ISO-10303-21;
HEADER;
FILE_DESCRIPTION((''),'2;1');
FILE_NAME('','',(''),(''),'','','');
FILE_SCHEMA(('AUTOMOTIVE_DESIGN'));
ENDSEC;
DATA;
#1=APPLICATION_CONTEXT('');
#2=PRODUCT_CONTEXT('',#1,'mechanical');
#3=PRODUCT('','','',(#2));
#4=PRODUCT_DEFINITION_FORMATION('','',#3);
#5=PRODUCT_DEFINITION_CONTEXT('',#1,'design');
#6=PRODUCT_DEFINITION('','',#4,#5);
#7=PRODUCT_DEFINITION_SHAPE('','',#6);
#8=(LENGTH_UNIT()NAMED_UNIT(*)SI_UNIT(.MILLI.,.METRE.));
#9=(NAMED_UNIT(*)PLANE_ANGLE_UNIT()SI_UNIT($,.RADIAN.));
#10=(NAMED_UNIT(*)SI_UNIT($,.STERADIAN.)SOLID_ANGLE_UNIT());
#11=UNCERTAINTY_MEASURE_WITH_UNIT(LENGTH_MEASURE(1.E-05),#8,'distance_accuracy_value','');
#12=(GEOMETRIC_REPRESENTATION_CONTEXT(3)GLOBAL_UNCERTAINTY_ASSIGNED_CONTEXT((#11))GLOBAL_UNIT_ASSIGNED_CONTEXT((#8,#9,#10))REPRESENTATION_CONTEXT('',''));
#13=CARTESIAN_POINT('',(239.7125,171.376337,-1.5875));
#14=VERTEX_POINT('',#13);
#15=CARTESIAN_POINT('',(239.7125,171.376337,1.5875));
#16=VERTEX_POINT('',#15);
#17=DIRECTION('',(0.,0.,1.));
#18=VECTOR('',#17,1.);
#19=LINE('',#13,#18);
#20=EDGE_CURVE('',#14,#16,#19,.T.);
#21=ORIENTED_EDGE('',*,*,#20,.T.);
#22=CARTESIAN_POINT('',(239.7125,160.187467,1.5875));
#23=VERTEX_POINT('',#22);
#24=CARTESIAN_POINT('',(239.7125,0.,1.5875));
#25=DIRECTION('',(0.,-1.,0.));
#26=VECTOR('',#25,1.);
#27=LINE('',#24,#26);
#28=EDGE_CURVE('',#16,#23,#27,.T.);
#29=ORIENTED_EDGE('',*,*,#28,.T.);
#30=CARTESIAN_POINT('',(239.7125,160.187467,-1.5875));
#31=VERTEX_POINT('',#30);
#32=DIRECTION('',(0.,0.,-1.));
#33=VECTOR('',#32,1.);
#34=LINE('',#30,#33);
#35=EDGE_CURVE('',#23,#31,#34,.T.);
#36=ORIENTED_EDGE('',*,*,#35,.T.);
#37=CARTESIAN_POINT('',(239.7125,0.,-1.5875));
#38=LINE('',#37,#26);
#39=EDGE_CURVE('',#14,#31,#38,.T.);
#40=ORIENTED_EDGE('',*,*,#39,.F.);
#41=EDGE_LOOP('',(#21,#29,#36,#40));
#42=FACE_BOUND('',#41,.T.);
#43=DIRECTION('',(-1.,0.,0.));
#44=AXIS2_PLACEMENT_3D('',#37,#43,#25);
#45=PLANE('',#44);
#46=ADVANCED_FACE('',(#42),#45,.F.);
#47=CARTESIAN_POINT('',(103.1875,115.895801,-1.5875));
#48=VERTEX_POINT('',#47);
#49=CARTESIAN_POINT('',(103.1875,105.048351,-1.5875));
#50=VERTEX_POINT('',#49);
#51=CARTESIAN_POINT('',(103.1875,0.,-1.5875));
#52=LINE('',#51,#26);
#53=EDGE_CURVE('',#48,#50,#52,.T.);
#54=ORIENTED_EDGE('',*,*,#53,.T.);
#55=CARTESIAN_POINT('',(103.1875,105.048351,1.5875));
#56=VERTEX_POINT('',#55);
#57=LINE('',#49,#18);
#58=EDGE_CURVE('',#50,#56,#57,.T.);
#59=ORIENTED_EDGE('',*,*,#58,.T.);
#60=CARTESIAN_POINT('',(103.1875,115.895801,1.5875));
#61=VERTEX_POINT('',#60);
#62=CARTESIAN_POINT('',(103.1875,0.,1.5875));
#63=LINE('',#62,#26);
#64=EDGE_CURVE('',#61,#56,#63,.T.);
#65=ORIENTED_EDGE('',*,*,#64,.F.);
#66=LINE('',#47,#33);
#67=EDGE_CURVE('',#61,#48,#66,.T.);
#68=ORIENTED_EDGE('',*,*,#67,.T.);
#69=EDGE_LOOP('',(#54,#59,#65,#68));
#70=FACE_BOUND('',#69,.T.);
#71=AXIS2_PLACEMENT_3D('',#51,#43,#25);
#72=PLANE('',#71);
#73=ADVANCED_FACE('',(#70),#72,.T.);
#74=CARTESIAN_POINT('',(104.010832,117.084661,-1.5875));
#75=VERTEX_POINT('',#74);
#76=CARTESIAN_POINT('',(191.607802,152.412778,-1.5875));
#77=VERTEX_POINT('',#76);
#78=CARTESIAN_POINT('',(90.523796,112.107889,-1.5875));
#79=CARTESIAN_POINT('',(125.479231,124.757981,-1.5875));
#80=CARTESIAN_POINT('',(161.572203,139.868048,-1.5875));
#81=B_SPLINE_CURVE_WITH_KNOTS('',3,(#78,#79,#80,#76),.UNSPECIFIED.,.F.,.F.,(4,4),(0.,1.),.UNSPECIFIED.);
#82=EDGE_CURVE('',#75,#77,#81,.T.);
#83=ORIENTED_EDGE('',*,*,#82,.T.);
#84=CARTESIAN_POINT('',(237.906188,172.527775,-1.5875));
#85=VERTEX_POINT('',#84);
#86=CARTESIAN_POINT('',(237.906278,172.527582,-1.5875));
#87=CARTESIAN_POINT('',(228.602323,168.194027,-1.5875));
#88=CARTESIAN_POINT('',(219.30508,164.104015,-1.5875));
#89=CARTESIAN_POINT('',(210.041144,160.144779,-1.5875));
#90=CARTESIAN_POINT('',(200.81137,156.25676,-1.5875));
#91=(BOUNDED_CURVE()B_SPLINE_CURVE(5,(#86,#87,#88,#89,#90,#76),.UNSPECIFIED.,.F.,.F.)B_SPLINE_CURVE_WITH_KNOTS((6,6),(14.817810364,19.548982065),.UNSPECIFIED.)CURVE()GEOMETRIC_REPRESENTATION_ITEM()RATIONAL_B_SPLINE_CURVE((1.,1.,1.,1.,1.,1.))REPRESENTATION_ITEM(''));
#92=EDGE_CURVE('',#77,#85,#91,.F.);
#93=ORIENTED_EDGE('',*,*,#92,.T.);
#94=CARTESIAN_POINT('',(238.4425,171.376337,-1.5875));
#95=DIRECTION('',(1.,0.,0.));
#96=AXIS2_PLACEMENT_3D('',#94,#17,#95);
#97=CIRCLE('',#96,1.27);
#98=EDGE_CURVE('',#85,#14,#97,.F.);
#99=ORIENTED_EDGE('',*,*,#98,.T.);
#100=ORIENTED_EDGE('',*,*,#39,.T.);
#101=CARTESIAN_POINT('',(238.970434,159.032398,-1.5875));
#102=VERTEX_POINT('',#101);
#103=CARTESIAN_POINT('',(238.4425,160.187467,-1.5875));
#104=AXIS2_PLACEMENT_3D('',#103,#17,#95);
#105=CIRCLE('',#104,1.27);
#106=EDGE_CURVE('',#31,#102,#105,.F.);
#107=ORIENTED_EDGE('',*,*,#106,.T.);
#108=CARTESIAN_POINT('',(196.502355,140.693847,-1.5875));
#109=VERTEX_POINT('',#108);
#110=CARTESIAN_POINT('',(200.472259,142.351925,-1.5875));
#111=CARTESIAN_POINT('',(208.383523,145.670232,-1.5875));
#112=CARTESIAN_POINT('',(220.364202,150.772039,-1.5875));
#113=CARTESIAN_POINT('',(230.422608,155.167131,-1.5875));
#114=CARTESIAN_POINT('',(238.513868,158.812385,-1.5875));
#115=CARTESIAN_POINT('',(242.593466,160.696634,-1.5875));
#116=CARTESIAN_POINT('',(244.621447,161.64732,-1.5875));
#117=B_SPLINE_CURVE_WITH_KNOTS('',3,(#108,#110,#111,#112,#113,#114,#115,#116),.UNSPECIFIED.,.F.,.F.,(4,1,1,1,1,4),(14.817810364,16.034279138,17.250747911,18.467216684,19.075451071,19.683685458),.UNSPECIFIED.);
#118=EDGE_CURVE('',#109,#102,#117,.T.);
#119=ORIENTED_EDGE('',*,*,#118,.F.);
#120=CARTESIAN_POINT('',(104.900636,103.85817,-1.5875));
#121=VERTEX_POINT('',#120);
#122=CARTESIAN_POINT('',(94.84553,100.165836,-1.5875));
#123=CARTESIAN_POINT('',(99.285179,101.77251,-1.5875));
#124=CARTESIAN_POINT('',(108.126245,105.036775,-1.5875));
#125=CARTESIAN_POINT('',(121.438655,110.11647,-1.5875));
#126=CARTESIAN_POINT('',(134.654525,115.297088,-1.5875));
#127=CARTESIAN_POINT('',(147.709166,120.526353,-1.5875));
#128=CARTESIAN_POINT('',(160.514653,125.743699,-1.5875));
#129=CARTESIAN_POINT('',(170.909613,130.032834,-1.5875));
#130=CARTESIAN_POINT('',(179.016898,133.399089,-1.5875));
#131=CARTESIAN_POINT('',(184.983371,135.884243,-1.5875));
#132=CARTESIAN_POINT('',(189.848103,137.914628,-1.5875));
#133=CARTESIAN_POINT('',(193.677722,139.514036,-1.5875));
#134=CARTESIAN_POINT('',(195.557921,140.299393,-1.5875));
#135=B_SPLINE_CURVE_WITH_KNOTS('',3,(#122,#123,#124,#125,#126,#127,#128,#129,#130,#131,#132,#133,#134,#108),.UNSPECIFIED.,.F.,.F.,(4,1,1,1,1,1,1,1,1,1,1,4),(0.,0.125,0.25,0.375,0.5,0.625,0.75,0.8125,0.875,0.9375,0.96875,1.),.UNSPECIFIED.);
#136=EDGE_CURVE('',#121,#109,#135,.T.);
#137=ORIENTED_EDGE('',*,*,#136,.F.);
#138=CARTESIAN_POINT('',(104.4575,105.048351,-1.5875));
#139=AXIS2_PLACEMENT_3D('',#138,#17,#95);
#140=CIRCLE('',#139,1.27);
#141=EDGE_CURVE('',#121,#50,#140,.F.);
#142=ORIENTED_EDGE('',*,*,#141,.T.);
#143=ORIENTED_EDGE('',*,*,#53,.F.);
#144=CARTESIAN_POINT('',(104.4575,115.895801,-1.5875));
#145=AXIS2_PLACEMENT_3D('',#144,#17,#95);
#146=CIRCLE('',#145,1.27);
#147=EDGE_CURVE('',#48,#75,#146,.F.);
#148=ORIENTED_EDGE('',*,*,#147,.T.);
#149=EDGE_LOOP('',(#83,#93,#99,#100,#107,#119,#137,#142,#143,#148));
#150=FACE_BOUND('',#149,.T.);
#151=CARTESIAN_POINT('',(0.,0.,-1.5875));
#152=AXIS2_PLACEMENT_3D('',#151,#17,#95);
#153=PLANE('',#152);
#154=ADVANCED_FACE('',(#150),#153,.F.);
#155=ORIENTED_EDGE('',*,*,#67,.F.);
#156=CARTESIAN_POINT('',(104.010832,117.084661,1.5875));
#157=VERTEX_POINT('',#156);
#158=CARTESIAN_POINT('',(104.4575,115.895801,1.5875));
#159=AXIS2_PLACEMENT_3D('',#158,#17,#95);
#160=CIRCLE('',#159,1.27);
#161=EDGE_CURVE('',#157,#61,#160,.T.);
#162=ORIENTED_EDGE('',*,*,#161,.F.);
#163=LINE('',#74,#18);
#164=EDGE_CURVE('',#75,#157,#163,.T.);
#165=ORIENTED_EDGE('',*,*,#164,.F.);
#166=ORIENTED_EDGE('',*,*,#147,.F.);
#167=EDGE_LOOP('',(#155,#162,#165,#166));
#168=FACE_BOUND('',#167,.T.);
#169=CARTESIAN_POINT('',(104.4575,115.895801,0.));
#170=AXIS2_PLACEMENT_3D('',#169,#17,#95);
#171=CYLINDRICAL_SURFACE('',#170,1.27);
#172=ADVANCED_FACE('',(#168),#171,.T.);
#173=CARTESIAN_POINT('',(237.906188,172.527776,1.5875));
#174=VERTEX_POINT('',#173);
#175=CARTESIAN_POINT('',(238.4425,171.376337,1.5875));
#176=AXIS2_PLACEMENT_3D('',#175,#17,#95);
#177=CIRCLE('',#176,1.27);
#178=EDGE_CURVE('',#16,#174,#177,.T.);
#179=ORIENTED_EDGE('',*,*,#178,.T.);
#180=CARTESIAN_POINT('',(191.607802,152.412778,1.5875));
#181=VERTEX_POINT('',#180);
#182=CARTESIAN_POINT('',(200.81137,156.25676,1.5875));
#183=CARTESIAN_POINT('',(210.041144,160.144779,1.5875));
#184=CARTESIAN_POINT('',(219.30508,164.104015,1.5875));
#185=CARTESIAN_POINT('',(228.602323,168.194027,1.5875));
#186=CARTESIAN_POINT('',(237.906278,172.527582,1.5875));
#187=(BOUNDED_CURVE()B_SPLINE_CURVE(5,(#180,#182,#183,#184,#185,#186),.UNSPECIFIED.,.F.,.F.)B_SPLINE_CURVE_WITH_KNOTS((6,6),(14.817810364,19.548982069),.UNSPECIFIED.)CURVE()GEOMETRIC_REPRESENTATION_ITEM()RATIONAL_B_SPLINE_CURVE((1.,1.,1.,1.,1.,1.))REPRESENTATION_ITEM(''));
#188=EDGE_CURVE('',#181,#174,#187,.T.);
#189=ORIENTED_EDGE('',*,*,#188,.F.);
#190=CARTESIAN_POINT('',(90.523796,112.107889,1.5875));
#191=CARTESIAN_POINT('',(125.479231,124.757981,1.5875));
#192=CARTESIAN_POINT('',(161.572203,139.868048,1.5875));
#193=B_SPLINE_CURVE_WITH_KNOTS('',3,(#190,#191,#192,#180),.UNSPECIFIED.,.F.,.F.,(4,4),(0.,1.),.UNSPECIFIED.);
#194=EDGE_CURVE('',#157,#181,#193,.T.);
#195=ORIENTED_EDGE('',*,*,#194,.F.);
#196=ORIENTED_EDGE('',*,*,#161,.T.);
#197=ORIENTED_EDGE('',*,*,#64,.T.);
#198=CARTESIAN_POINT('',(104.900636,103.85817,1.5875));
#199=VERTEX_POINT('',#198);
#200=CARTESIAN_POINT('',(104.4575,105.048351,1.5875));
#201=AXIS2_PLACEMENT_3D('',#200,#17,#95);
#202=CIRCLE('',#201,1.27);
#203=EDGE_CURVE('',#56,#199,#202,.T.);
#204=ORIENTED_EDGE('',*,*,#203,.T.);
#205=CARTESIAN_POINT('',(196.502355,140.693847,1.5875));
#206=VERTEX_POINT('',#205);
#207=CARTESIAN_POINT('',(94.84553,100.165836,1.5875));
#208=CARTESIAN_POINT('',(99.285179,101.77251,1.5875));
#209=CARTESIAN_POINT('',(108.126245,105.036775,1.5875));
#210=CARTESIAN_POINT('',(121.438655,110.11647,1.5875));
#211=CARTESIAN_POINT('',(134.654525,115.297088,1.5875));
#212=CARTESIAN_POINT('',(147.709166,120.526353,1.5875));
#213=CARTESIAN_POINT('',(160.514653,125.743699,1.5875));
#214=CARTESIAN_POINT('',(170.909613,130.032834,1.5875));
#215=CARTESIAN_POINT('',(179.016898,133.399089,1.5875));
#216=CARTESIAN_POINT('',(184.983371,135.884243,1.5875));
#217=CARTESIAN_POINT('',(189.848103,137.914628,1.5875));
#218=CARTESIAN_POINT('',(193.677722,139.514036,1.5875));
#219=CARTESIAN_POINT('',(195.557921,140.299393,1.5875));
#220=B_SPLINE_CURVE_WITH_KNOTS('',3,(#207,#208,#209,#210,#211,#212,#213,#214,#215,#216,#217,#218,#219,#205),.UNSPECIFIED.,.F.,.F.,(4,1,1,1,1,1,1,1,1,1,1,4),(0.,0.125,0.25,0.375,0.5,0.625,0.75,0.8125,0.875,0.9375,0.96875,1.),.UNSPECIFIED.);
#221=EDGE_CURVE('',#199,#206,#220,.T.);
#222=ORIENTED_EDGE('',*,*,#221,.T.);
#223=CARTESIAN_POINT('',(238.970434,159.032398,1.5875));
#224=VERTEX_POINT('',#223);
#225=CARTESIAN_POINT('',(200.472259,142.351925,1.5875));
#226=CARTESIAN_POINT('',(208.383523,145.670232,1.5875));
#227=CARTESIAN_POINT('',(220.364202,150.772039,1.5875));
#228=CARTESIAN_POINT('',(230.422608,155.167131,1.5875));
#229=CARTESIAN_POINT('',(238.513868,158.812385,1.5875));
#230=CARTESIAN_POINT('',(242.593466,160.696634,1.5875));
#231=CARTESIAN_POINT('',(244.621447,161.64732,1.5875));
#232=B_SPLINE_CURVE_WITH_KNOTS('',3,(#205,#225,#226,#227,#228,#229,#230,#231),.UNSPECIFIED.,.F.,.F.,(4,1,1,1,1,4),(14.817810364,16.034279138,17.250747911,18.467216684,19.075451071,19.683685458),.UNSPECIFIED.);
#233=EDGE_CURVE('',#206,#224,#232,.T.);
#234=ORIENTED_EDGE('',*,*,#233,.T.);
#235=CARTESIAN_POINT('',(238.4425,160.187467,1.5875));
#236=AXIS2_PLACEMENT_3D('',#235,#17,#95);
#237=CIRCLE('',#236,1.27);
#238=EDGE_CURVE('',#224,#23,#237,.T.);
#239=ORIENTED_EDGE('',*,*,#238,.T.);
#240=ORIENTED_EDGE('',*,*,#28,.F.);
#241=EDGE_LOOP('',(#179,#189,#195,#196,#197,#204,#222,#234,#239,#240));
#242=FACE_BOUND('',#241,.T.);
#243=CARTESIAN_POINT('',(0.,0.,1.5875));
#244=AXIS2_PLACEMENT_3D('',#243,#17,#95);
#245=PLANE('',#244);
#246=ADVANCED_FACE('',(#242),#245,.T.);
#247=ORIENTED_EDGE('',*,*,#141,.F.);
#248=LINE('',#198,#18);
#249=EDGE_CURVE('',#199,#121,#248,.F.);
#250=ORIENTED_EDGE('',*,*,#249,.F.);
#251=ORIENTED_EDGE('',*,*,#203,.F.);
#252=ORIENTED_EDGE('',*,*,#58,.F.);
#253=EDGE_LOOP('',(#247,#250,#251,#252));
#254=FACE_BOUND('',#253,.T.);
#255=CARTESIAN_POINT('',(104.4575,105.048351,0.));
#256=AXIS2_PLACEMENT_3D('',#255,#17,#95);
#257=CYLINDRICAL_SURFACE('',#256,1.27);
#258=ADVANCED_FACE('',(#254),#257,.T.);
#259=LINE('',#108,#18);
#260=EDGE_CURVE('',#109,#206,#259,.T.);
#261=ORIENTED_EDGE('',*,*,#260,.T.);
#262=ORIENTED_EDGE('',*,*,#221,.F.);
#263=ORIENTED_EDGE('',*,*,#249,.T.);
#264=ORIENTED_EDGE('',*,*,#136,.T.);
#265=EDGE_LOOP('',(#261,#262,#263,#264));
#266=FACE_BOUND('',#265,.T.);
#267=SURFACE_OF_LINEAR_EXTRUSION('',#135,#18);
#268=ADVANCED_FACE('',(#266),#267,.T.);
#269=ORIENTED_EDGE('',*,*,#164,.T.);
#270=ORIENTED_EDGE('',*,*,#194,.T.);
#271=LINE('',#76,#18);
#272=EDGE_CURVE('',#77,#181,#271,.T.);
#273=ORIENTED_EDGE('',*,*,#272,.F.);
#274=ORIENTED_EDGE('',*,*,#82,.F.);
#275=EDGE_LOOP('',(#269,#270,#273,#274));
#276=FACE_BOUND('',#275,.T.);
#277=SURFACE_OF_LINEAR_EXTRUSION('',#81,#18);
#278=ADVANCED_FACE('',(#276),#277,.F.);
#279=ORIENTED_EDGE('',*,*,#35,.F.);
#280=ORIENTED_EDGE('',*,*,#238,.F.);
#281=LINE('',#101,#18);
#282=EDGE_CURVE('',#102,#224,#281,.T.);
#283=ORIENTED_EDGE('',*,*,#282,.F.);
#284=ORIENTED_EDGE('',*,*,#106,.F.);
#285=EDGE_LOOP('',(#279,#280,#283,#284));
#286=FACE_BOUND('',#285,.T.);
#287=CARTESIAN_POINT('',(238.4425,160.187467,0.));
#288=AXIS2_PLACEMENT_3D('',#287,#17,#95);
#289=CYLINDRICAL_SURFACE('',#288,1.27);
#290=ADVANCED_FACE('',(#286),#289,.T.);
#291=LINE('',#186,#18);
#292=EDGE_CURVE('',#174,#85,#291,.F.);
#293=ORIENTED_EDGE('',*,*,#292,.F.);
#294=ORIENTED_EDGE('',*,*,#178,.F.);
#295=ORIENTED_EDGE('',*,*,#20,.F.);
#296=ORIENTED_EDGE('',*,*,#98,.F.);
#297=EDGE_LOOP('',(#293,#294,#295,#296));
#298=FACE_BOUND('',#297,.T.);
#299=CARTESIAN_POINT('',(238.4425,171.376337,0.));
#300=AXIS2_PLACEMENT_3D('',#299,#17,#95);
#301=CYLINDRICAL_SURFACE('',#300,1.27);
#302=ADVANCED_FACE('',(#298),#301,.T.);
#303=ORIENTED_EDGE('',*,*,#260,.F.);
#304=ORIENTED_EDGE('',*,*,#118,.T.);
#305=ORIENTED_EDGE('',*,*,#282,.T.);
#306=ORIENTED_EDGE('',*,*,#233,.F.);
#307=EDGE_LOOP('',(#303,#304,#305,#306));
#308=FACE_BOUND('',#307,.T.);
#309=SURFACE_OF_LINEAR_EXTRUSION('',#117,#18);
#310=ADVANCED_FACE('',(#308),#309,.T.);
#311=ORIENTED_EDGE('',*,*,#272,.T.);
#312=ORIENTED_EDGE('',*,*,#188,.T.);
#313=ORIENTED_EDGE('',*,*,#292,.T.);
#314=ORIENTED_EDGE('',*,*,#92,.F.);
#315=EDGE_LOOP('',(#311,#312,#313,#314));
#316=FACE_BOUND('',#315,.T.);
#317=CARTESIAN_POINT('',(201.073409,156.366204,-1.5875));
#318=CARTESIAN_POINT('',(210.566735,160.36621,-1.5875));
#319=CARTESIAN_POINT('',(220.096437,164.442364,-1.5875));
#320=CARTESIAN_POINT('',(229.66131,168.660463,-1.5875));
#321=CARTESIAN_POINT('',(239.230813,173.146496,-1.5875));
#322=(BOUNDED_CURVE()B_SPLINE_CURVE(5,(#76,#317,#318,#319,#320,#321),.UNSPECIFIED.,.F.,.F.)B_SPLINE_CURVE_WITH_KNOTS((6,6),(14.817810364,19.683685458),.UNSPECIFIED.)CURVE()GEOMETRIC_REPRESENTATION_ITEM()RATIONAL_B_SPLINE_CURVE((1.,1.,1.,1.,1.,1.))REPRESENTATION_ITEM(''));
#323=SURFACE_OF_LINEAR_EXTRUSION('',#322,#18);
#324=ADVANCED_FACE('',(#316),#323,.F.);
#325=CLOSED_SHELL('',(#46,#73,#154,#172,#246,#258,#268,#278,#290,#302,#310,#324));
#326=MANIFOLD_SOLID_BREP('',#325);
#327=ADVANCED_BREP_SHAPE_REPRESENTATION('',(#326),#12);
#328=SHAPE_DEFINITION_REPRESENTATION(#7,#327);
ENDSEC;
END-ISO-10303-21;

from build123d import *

# Parameters (mm, degrees)
BOSS_EXTRUDE1_DEPTH = 1.5875
FILLET1_R           = 1.27


with BuildPart() as part:
    # Sketch1 → Boss-Extrude1 (new body, symmetric)
    with BuildSketch(Plane.XY):
        with BuildLine():
            add(Edge.make_bspline(
                [(103.1875, 116.775644737), (134.083206396, 128.359547048), (165.188742148, 141.378538978), (191.60780158, 152.412778165)],
                knots=[0.120408431, 0.120408431, 0.120408431, 0.120408431, 1, 1, 1, 1], degree=3))
            Line((103.1875, 116.775644737), (103.1875, 103.221766291))
            add(Edge.make_bspline(
                [(103.1875, 103.221766291), (104.836346711, 103.832888895), (110.910789744, 106.099289805), (121.438654787, 110.116470414), (134.654525061, 115.297088101), (147.709166263, 120.526352792), (160.514652982, 125.743699314), (170.90961349, 130.032834424), (179.016898276, 133.399089085), (184.983371131, 135.884243485), (189.84810323, 137.914627663), (193.677721798, 139.514035727), (195.557921278, 140.299392887), (196.502354723, 140.69384692)],
                knots=[0.078438404, 0.078438404, 0.078438404, 0.078438404, 0.125, 0.25, 0.375, 0.5, 0.625, 0.75, 0.8125, 0.875, 0.9375, 0.96875, 1, 1, 1, 1], degree=3))
            add(Edge.make_bspline(
                [(196.502354723, 140.69384692), (200.472258679, 142.351925244), (208.383523136, 145.67023209), (220.364202496, 150.772038823), (230.422608344, 155.16713119), (236.88583627, 158.07892828), (239.315563949, 159.190103703), (239.7125, 159.372089547)],
                knots=[14.817810364, 14.817810364, 14.817810364, 14.817810364, 16.034279138, 17.250747911, 18.467216684, 19.075451071, 19.194157176, 19.194157176, 19.194157176, 19.194157176], degree=3))
            Line((239.7125, 159.372089547), (239.7125, 173.372303785))
            Line((239.7125, 173.372303785), (239.230812588, 173.146496258))
            add(Edge.make_bspline(
                [(191.60780158, 152.412778165), (201.07340942, 156.366203579), (210.566735216, 160.366210114), (220.096436884, 164.442364028), (229.661309686, 168.660462928), (239.230812588, 173.146496258)],
                knots=[14.817810364, 14.817810364, 14.817810364, 14.817810364, 14.817810364, 14.817810364, 19.683685458, 19.683685458, 19.683685458, 19.683685458, 19.683685458, 19.683685458], degree=5))
        make_face()
    extrude(amount=BOSS_EXTRUDE1_DEPTH, both=True)

    # Fillet1
    fillet1_edges = [part.edges().sort_by_distance(p)[0] for p in [
        (239.7125, 159.372089547, -0.79375),
        (239.7125, 173.372303785, 0),
        (103.1875, 103.221766291, -0.79375),
        (103.1875, 116.775644737, 0.79375),
    ]]
    fillet(fillet1_edges, radius=FILLET1_R)


solid = part.part
